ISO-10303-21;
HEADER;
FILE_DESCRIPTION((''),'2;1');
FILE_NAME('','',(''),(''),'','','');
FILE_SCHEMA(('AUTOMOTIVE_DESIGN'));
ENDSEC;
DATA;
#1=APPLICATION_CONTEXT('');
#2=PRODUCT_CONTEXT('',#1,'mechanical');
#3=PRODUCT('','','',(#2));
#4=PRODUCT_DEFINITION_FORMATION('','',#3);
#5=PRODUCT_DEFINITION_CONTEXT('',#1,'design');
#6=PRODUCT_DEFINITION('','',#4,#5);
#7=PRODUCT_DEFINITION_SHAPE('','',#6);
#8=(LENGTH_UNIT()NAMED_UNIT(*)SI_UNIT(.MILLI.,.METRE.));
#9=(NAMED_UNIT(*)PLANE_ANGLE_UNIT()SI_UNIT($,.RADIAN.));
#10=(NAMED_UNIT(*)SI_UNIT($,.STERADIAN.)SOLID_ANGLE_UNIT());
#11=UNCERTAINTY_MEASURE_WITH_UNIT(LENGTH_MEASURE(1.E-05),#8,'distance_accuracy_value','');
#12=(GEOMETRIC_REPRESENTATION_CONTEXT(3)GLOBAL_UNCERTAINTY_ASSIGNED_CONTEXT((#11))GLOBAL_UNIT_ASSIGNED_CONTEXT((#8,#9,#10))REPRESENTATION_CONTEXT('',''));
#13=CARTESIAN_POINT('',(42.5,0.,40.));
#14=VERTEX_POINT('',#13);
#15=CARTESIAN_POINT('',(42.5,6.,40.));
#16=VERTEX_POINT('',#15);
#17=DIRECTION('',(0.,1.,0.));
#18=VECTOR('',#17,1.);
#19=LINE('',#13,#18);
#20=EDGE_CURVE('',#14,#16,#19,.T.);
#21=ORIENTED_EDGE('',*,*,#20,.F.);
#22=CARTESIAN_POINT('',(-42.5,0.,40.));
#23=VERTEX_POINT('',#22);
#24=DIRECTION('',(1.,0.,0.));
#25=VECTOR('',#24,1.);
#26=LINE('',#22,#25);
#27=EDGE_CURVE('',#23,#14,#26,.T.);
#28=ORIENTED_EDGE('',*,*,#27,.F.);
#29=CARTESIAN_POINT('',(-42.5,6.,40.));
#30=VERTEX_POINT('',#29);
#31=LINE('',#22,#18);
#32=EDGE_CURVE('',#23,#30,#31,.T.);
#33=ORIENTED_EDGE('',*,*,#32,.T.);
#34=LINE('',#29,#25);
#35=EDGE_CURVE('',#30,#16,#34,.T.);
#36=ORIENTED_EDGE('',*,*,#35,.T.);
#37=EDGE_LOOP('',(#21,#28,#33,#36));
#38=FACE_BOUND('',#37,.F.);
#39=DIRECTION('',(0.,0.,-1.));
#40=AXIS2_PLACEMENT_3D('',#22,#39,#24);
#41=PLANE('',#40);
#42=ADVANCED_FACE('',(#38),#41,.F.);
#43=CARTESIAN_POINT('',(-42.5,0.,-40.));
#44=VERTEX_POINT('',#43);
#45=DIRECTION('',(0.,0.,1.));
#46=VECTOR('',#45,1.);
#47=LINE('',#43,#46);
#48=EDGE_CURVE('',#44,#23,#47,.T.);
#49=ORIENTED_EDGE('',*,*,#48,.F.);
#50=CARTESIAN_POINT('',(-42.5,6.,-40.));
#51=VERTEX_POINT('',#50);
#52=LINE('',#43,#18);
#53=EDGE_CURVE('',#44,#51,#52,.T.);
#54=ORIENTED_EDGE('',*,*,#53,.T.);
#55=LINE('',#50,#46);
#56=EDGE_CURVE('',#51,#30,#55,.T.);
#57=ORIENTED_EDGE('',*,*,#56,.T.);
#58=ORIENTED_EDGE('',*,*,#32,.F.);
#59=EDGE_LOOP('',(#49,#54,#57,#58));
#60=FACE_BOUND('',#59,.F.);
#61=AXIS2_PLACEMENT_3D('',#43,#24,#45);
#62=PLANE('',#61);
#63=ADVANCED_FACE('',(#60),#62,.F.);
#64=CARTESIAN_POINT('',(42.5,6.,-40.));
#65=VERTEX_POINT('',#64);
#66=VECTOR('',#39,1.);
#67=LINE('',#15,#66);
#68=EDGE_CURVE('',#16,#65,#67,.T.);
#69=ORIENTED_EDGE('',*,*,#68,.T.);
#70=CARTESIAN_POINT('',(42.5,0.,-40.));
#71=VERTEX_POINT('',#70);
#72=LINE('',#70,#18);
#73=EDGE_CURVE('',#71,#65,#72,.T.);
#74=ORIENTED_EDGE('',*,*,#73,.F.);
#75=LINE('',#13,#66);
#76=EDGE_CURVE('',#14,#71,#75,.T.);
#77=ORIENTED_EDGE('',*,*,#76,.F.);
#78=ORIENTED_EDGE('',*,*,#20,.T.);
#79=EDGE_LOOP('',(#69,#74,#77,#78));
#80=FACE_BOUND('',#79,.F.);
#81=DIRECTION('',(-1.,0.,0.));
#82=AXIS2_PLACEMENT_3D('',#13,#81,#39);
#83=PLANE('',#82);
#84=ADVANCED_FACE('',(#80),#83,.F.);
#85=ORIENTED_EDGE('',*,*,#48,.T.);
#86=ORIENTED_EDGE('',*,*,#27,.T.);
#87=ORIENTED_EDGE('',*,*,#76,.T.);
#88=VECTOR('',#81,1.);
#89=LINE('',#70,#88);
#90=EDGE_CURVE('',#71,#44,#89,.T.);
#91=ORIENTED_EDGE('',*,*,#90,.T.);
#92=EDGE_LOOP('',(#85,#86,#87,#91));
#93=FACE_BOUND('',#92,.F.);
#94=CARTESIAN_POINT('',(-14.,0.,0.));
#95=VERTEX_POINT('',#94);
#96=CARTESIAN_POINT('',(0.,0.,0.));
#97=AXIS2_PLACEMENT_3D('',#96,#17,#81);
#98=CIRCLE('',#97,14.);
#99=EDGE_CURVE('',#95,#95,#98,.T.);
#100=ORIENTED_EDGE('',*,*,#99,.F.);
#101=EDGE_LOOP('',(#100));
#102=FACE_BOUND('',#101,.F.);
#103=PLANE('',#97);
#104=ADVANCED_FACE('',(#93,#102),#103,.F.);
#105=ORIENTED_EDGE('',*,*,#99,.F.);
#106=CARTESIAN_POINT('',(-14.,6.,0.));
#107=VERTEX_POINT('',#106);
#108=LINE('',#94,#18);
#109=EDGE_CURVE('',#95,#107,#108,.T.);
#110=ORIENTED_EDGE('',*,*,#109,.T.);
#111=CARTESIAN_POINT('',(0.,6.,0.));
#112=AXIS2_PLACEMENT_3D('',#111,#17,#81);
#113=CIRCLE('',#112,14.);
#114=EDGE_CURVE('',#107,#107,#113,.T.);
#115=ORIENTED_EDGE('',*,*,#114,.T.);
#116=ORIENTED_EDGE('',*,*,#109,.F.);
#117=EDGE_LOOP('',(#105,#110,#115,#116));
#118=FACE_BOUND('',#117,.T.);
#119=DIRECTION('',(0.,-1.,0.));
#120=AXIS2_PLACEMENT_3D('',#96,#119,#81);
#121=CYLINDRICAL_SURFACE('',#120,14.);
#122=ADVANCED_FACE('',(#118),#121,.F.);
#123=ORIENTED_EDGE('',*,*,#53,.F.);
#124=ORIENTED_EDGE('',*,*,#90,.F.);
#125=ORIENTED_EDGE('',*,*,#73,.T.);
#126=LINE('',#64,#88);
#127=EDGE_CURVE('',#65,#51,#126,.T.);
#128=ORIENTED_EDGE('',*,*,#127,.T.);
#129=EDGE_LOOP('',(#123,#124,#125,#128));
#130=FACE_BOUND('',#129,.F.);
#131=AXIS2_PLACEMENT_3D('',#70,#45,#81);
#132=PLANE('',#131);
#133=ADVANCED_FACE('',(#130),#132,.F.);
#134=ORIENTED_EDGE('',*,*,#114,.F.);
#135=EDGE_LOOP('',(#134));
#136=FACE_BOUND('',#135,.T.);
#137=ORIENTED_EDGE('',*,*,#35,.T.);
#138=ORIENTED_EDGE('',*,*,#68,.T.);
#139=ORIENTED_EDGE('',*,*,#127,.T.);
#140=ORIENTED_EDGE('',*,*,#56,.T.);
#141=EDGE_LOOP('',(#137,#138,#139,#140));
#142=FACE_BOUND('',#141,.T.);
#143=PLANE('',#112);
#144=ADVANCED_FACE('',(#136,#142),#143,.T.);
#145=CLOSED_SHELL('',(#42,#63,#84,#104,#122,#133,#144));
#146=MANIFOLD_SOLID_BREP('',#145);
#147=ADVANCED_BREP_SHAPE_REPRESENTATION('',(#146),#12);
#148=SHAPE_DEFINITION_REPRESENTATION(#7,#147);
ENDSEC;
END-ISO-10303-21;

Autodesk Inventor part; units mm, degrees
ref_plane "YZ Plane" through (0, 0, 0) normal (1, 0, 0) x (0, 1, 0)
ref_plane "XZ Plane" through (0, 0, 0) normal (0, 1, 0) x (-1, 0, 0)
ref_plane "XY Plane" through (0, 0, 0) normal (0, 0, 1) x (1, 0, 0)
sketch "Sketch1" plane through (0, 0, 0) normal (0, 1, 0) x (-1, 0, 0)
  line L0 (-42.5, -40) -> (42.5, -40)
  line L1 (42.5, -40) -> (42.5, 40)
  line L2 (42.5, 40) -> (-42.5, 40)
  line L3 (-42.5, 40) -> (-42.5, -40)
  line L4 (-42.5, -40) -> (42.5, 40) construction
  line L5 (42.5, -40) -> (-42.5, 40) construction
  circle A0 centre (0, 0) radius 14
  dimension "d0" = 85
  dimension "d1" = 80
  dimension "d4" = 28
extrude "Extrusion1" add sketch "Sketch1" along normal blind 6
properties part number "segment0b" material "Plywood, Finish"
